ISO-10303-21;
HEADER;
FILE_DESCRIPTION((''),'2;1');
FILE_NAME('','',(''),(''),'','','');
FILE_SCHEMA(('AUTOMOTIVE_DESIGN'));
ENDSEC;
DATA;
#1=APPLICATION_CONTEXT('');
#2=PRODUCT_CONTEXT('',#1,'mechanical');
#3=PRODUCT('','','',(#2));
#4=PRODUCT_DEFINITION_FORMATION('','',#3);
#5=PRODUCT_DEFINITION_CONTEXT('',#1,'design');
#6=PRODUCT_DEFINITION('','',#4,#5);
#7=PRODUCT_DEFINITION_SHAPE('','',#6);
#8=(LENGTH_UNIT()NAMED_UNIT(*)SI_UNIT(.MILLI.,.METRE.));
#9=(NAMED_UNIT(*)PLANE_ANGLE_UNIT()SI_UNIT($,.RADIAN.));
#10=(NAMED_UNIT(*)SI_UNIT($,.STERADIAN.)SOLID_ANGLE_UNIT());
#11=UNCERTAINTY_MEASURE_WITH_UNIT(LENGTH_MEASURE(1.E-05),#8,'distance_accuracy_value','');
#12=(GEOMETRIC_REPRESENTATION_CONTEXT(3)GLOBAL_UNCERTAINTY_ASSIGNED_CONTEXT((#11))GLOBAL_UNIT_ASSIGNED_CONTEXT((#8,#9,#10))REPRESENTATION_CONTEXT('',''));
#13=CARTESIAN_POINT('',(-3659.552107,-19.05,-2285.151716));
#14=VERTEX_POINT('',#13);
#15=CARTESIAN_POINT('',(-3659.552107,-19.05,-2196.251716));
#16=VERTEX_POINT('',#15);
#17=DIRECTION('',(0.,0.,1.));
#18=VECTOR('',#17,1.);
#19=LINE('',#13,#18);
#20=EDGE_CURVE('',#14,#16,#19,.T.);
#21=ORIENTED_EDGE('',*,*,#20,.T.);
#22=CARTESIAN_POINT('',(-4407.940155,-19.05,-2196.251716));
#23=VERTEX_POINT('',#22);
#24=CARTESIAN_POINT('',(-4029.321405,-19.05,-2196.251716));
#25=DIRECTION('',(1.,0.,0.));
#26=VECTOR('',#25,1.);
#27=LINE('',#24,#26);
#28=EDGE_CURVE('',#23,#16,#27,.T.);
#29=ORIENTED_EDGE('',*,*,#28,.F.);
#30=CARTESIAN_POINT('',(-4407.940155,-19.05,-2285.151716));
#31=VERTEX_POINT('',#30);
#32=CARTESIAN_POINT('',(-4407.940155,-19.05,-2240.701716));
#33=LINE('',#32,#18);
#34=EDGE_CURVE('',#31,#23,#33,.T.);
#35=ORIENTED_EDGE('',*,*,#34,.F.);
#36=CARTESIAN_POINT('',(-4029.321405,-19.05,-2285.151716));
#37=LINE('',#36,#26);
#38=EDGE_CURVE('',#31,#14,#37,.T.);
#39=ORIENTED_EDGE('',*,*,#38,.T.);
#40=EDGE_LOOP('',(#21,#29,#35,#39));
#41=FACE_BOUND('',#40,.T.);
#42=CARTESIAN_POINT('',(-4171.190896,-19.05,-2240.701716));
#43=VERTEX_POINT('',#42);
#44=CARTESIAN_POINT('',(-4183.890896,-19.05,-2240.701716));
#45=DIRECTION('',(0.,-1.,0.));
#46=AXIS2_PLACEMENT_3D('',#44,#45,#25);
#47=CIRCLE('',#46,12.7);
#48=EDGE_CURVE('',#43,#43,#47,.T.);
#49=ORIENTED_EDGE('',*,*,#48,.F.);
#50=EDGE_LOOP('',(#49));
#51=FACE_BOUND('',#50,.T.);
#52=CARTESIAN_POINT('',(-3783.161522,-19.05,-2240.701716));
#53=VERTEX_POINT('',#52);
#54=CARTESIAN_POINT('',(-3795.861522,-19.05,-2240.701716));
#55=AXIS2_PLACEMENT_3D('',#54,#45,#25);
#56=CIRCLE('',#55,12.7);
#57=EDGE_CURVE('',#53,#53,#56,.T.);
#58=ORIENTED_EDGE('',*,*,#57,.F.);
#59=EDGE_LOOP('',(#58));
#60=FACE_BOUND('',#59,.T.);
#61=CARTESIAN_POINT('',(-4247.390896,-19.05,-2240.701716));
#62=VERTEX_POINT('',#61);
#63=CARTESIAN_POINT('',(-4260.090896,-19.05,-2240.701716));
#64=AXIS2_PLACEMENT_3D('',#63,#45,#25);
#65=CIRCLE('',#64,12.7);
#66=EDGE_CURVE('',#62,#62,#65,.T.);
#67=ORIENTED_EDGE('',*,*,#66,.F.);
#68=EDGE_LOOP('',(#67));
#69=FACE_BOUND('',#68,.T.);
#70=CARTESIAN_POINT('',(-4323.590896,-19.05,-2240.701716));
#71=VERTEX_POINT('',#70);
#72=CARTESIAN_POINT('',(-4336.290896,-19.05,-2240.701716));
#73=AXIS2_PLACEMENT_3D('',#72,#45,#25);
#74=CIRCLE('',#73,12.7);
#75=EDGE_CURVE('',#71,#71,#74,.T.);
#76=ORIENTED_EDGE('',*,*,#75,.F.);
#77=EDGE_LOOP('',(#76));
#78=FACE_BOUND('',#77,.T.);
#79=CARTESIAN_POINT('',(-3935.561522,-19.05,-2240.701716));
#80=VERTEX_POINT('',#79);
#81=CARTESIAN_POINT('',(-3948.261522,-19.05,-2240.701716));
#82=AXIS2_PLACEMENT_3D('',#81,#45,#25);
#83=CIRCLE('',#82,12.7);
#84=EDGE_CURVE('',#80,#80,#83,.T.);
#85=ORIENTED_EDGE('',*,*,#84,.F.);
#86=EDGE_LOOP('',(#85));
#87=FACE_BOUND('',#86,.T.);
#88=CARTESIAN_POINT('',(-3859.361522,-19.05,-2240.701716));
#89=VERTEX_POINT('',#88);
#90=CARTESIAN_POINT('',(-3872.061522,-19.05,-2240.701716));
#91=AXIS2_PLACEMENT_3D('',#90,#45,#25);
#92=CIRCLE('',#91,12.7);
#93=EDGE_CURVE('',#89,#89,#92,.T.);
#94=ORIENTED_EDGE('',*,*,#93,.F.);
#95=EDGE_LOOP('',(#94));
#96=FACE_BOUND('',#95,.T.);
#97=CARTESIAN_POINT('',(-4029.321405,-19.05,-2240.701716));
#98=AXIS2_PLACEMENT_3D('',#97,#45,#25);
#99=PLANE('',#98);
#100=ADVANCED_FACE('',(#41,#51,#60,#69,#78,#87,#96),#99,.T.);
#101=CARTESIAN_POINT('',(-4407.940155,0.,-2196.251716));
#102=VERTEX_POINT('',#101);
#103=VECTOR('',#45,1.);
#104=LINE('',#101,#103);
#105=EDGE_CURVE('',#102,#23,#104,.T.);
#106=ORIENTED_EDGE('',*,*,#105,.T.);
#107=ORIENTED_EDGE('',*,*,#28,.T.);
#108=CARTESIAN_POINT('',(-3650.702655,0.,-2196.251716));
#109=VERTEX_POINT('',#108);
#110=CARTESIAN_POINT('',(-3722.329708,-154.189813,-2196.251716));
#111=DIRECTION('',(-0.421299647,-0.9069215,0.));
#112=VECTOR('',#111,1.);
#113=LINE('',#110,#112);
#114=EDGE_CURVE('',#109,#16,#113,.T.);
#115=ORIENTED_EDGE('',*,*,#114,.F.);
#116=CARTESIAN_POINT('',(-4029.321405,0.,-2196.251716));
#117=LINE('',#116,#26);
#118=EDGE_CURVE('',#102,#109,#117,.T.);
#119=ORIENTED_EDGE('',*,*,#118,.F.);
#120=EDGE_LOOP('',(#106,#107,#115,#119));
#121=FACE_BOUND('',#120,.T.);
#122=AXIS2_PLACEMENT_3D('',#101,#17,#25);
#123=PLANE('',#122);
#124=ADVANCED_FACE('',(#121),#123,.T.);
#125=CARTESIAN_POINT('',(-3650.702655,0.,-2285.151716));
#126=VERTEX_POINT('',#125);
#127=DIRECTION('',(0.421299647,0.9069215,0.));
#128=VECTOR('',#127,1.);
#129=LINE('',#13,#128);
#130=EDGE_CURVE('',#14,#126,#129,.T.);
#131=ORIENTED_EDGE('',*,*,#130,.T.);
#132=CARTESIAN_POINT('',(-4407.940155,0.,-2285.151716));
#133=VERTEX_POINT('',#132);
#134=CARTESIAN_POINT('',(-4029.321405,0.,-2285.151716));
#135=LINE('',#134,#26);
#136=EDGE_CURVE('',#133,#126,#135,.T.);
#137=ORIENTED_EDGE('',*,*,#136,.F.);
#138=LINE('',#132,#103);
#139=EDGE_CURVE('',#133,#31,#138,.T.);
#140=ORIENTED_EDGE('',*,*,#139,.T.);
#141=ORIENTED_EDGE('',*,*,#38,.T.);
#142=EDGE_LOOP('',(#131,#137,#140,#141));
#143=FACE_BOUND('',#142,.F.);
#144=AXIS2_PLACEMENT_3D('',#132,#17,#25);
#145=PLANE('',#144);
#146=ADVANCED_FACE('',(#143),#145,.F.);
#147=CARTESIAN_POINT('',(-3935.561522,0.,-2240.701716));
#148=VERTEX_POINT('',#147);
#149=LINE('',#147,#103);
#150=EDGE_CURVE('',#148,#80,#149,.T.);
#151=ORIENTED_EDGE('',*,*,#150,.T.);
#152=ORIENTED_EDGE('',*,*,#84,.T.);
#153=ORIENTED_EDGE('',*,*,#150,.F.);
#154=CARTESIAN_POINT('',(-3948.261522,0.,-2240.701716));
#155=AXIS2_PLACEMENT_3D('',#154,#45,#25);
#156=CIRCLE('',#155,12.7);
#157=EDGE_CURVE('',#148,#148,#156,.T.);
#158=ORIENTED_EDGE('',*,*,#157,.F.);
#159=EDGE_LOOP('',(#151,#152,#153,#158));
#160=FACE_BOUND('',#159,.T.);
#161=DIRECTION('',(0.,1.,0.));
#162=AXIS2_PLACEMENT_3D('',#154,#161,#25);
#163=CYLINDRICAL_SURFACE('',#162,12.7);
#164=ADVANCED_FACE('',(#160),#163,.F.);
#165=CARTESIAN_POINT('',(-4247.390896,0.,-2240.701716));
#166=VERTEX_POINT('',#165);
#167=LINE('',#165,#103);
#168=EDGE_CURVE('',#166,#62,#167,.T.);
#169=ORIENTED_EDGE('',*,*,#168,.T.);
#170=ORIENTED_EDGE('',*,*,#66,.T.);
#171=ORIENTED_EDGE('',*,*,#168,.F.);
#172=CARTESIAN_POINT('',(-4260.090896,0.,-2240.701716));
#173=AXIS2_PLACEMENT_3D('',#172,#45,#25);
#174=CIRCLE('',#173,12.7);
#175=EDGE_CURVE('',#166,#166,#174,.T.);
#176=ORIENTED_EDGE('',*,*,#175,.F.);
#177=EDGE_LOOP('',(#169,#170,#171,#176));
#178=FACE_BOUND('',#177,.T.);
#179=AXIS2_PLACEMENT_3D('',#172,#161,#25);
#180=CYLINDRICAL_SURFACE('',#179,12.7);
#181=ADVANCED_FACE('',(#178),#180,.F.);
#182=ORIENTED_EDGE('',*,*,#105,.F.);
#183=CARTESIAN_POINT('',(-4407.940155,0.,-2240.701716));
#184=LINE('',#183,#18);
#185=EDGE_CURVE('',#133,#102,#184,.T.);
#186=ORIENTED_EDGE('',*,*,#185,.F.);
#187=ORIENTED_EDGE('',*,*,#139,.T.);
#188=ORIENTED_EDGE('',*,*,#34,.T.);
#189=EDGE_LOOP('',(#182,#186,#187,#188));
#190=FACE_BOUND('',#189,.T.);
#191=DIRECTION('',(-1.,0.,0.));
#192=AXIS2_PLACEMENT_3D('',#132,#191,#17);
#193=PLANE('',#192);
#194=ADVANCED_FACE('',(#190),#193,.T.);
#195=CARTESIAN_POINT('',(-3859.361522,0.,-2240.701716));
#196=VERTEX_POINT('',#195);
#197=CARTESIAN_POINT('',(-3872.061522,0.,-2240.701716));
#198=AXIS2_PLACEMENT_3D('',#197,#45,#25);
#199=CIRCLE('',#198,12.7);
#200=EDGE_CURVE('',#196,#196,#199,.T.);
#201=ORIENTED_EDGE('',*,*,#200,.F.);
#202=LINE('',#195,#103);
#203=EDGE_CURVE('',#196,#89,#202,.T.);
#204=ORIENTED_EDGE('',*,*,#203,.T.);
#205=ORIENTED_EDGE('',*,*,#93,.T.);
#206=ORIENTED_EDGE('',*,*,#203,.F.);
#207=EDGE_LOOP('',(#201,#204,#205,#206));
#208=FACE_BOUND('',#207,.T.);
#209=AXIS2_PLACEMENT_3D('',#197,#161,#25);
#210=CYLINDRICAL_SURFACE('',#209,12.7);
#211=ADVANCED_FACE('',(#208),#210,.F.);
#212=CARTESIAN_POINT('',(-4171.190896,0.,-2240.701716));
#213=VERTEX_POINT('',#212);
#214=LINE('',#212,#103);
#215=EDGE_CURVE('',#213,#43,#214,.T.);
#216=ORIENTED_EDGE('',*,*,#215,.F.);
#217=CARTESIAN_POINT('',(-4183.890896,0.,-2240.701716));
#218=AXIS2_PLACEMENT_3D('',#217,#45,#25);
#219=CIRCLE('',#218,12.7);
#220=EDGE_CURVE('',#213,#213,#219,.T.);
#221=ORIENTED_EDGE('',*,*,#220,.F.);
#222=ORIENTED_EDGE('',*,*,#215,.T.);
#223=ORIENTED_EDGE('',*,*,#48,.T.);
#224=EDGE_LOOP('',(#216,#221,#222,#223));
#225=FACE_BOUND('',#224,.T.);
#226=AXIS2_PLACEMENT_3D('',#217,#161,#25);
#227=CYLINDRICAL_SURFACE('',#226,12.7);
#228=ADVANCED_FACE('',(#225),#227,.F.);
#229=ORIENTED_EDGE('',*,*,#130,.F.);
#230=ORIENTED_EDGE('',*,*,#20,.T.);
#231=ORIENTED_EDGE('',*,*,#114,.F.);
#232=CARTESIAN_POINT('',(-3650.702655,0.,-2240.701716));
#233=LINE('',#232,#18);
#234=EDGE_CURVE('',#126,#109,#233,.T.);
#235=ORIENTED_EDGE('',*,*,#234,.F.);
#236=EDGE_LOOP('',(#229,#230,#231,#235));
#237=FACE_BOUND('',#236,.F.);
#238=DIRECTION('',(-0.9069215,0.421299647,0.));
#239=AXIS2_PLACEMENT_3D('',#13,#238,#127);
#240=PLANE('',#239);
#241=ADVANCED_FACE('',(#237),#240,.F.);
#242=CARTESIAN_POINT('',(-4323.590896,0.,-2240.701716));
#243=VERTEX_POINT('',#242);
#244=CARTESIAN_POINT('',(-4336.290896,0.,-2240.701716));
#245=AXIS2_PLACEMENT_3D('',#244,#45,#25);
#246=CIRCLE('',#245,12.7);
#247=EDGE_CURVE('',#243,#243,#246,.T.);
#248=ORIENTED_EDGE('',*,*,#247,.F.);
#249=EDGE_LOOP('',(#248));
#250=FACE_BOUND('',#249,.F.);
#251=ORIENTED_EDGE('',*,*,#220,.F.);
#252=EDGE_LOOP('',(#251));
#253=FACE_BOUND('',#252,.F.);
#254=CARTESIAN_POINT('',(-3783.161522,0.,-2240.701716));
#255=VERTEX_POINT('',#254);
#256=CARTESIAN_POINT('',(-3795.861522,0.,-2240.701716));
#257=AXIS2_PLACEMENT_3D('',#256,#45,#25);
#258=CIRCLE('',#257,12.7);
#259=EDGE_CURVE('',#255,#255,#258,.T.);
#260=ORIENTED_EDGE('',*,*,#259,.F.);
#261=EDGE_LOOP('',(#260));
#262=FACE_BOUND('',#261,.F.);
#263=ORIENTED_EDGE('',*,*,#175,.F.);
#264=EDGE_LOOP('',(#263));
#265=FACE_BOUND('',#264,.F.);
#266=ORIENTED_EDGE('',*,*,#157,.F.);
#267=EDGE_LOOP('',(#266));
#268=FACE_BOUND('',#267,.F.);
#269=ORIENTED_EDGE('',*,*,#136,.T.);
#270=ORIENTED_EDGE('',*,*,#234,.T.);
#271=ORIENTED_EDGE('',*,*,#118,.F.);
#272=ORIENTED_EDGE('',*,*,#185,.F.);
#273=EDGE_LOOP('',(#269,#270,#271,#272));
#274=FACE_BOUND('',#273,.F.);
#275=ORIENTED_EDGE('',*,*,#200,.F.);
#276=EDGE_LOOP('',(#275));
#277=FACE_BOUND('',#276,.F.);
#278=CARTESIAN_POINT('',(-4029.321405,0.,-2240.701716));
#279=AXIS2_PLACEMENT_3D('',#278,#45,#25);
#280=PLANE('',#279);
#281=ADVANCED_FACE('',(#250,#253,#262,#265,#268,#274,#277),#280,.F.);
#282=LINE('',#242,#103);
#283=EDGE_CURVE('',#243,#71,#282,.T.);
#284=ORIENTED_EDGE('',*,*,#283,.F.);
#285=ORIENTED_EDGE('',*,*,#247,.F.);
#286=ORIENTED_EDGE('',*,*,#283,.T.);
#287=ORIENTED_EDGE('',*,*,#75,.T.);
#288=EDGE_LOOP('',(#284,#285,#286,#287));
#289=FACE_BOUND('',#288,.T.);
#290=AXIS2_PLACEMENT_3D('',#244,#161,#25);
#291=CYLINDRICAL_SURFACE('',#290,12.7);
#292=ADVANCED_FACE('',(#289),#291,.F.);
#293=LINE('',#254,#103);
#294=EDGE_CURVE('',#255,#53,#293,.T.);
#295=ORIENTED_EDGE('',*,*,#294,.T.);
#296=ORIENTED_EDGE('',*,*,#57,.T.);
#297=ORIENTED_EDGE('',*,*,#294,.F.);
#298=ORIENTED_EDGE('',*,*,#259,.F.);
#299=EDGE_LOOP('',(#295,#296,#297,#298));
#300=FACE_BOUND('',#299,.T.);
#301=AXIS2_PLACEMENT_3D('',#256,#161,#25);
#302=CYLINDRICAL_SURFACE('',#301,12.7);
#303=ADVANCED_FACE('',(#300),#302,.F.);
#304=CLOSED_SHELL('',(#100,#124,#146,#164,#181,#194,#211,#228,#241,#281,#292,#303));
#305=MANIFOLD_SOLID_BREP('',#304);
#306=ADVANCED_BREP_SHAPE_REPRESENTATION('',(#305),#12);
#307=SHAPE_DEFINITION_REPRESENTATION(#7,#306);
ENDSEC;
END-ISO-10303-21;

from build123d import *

# Parameters (mm, degrees)
F0_W     = 757.2375
F0_H     = 88.9
F0_R     = 12.7
F1_DEPTH = 19.05
F3_DEPTH = 88.901


with BuildPart() as f1:
    # F0 (on Front) → F1 (new body)
    with BuildSketch(Plane.XZ):
        with Locations((-4029.321405, -2240.701716)):
            Rectangle(F0_W, F0_H)
        with Locations((-4336.290896, -2240.701716)):
            Circle(F0_R, mode=Mode.SUBTRACT)
        with Locations((-4260.090896, -2240.701716)):
            Circle(F0_R, mode=Mode.SUBTRACT)
        with Locations((-4183.890896, -2240.701716)):
            Circle(F0_R, mode=Mode.SUBTRACT)
        with Locations((-3948.261522, -2240.701716)):
            Circle(F0_R, mode=Mode.SUBTRACT)
        with Locations((-3872.061522, -2240.701716)):
            Circle(F0_R, mode=Mode.SUBTRACT)
        with Locations((-3795.861522, -2240.701716)):
            Circle(F0_R, mode=Mode.SUBTRACT)
    extrude(amount=F1_DEPTH)

    # F2 (on face) → F3 (cut, through all)
    with BuildSketch(Plane(origin=(0, 0, -2285.151716), x_dir=(1, 0, 0), z_dir=(0, 0, -1))):
        Polygon((-3659.552107, 19.05), (-3650.702655, 0), (-3650.702655, 19.05), align=None)
    extrude(amount=-F3_DEPTH, mode=Mode.SUBTRACT)


solid = f1.part
